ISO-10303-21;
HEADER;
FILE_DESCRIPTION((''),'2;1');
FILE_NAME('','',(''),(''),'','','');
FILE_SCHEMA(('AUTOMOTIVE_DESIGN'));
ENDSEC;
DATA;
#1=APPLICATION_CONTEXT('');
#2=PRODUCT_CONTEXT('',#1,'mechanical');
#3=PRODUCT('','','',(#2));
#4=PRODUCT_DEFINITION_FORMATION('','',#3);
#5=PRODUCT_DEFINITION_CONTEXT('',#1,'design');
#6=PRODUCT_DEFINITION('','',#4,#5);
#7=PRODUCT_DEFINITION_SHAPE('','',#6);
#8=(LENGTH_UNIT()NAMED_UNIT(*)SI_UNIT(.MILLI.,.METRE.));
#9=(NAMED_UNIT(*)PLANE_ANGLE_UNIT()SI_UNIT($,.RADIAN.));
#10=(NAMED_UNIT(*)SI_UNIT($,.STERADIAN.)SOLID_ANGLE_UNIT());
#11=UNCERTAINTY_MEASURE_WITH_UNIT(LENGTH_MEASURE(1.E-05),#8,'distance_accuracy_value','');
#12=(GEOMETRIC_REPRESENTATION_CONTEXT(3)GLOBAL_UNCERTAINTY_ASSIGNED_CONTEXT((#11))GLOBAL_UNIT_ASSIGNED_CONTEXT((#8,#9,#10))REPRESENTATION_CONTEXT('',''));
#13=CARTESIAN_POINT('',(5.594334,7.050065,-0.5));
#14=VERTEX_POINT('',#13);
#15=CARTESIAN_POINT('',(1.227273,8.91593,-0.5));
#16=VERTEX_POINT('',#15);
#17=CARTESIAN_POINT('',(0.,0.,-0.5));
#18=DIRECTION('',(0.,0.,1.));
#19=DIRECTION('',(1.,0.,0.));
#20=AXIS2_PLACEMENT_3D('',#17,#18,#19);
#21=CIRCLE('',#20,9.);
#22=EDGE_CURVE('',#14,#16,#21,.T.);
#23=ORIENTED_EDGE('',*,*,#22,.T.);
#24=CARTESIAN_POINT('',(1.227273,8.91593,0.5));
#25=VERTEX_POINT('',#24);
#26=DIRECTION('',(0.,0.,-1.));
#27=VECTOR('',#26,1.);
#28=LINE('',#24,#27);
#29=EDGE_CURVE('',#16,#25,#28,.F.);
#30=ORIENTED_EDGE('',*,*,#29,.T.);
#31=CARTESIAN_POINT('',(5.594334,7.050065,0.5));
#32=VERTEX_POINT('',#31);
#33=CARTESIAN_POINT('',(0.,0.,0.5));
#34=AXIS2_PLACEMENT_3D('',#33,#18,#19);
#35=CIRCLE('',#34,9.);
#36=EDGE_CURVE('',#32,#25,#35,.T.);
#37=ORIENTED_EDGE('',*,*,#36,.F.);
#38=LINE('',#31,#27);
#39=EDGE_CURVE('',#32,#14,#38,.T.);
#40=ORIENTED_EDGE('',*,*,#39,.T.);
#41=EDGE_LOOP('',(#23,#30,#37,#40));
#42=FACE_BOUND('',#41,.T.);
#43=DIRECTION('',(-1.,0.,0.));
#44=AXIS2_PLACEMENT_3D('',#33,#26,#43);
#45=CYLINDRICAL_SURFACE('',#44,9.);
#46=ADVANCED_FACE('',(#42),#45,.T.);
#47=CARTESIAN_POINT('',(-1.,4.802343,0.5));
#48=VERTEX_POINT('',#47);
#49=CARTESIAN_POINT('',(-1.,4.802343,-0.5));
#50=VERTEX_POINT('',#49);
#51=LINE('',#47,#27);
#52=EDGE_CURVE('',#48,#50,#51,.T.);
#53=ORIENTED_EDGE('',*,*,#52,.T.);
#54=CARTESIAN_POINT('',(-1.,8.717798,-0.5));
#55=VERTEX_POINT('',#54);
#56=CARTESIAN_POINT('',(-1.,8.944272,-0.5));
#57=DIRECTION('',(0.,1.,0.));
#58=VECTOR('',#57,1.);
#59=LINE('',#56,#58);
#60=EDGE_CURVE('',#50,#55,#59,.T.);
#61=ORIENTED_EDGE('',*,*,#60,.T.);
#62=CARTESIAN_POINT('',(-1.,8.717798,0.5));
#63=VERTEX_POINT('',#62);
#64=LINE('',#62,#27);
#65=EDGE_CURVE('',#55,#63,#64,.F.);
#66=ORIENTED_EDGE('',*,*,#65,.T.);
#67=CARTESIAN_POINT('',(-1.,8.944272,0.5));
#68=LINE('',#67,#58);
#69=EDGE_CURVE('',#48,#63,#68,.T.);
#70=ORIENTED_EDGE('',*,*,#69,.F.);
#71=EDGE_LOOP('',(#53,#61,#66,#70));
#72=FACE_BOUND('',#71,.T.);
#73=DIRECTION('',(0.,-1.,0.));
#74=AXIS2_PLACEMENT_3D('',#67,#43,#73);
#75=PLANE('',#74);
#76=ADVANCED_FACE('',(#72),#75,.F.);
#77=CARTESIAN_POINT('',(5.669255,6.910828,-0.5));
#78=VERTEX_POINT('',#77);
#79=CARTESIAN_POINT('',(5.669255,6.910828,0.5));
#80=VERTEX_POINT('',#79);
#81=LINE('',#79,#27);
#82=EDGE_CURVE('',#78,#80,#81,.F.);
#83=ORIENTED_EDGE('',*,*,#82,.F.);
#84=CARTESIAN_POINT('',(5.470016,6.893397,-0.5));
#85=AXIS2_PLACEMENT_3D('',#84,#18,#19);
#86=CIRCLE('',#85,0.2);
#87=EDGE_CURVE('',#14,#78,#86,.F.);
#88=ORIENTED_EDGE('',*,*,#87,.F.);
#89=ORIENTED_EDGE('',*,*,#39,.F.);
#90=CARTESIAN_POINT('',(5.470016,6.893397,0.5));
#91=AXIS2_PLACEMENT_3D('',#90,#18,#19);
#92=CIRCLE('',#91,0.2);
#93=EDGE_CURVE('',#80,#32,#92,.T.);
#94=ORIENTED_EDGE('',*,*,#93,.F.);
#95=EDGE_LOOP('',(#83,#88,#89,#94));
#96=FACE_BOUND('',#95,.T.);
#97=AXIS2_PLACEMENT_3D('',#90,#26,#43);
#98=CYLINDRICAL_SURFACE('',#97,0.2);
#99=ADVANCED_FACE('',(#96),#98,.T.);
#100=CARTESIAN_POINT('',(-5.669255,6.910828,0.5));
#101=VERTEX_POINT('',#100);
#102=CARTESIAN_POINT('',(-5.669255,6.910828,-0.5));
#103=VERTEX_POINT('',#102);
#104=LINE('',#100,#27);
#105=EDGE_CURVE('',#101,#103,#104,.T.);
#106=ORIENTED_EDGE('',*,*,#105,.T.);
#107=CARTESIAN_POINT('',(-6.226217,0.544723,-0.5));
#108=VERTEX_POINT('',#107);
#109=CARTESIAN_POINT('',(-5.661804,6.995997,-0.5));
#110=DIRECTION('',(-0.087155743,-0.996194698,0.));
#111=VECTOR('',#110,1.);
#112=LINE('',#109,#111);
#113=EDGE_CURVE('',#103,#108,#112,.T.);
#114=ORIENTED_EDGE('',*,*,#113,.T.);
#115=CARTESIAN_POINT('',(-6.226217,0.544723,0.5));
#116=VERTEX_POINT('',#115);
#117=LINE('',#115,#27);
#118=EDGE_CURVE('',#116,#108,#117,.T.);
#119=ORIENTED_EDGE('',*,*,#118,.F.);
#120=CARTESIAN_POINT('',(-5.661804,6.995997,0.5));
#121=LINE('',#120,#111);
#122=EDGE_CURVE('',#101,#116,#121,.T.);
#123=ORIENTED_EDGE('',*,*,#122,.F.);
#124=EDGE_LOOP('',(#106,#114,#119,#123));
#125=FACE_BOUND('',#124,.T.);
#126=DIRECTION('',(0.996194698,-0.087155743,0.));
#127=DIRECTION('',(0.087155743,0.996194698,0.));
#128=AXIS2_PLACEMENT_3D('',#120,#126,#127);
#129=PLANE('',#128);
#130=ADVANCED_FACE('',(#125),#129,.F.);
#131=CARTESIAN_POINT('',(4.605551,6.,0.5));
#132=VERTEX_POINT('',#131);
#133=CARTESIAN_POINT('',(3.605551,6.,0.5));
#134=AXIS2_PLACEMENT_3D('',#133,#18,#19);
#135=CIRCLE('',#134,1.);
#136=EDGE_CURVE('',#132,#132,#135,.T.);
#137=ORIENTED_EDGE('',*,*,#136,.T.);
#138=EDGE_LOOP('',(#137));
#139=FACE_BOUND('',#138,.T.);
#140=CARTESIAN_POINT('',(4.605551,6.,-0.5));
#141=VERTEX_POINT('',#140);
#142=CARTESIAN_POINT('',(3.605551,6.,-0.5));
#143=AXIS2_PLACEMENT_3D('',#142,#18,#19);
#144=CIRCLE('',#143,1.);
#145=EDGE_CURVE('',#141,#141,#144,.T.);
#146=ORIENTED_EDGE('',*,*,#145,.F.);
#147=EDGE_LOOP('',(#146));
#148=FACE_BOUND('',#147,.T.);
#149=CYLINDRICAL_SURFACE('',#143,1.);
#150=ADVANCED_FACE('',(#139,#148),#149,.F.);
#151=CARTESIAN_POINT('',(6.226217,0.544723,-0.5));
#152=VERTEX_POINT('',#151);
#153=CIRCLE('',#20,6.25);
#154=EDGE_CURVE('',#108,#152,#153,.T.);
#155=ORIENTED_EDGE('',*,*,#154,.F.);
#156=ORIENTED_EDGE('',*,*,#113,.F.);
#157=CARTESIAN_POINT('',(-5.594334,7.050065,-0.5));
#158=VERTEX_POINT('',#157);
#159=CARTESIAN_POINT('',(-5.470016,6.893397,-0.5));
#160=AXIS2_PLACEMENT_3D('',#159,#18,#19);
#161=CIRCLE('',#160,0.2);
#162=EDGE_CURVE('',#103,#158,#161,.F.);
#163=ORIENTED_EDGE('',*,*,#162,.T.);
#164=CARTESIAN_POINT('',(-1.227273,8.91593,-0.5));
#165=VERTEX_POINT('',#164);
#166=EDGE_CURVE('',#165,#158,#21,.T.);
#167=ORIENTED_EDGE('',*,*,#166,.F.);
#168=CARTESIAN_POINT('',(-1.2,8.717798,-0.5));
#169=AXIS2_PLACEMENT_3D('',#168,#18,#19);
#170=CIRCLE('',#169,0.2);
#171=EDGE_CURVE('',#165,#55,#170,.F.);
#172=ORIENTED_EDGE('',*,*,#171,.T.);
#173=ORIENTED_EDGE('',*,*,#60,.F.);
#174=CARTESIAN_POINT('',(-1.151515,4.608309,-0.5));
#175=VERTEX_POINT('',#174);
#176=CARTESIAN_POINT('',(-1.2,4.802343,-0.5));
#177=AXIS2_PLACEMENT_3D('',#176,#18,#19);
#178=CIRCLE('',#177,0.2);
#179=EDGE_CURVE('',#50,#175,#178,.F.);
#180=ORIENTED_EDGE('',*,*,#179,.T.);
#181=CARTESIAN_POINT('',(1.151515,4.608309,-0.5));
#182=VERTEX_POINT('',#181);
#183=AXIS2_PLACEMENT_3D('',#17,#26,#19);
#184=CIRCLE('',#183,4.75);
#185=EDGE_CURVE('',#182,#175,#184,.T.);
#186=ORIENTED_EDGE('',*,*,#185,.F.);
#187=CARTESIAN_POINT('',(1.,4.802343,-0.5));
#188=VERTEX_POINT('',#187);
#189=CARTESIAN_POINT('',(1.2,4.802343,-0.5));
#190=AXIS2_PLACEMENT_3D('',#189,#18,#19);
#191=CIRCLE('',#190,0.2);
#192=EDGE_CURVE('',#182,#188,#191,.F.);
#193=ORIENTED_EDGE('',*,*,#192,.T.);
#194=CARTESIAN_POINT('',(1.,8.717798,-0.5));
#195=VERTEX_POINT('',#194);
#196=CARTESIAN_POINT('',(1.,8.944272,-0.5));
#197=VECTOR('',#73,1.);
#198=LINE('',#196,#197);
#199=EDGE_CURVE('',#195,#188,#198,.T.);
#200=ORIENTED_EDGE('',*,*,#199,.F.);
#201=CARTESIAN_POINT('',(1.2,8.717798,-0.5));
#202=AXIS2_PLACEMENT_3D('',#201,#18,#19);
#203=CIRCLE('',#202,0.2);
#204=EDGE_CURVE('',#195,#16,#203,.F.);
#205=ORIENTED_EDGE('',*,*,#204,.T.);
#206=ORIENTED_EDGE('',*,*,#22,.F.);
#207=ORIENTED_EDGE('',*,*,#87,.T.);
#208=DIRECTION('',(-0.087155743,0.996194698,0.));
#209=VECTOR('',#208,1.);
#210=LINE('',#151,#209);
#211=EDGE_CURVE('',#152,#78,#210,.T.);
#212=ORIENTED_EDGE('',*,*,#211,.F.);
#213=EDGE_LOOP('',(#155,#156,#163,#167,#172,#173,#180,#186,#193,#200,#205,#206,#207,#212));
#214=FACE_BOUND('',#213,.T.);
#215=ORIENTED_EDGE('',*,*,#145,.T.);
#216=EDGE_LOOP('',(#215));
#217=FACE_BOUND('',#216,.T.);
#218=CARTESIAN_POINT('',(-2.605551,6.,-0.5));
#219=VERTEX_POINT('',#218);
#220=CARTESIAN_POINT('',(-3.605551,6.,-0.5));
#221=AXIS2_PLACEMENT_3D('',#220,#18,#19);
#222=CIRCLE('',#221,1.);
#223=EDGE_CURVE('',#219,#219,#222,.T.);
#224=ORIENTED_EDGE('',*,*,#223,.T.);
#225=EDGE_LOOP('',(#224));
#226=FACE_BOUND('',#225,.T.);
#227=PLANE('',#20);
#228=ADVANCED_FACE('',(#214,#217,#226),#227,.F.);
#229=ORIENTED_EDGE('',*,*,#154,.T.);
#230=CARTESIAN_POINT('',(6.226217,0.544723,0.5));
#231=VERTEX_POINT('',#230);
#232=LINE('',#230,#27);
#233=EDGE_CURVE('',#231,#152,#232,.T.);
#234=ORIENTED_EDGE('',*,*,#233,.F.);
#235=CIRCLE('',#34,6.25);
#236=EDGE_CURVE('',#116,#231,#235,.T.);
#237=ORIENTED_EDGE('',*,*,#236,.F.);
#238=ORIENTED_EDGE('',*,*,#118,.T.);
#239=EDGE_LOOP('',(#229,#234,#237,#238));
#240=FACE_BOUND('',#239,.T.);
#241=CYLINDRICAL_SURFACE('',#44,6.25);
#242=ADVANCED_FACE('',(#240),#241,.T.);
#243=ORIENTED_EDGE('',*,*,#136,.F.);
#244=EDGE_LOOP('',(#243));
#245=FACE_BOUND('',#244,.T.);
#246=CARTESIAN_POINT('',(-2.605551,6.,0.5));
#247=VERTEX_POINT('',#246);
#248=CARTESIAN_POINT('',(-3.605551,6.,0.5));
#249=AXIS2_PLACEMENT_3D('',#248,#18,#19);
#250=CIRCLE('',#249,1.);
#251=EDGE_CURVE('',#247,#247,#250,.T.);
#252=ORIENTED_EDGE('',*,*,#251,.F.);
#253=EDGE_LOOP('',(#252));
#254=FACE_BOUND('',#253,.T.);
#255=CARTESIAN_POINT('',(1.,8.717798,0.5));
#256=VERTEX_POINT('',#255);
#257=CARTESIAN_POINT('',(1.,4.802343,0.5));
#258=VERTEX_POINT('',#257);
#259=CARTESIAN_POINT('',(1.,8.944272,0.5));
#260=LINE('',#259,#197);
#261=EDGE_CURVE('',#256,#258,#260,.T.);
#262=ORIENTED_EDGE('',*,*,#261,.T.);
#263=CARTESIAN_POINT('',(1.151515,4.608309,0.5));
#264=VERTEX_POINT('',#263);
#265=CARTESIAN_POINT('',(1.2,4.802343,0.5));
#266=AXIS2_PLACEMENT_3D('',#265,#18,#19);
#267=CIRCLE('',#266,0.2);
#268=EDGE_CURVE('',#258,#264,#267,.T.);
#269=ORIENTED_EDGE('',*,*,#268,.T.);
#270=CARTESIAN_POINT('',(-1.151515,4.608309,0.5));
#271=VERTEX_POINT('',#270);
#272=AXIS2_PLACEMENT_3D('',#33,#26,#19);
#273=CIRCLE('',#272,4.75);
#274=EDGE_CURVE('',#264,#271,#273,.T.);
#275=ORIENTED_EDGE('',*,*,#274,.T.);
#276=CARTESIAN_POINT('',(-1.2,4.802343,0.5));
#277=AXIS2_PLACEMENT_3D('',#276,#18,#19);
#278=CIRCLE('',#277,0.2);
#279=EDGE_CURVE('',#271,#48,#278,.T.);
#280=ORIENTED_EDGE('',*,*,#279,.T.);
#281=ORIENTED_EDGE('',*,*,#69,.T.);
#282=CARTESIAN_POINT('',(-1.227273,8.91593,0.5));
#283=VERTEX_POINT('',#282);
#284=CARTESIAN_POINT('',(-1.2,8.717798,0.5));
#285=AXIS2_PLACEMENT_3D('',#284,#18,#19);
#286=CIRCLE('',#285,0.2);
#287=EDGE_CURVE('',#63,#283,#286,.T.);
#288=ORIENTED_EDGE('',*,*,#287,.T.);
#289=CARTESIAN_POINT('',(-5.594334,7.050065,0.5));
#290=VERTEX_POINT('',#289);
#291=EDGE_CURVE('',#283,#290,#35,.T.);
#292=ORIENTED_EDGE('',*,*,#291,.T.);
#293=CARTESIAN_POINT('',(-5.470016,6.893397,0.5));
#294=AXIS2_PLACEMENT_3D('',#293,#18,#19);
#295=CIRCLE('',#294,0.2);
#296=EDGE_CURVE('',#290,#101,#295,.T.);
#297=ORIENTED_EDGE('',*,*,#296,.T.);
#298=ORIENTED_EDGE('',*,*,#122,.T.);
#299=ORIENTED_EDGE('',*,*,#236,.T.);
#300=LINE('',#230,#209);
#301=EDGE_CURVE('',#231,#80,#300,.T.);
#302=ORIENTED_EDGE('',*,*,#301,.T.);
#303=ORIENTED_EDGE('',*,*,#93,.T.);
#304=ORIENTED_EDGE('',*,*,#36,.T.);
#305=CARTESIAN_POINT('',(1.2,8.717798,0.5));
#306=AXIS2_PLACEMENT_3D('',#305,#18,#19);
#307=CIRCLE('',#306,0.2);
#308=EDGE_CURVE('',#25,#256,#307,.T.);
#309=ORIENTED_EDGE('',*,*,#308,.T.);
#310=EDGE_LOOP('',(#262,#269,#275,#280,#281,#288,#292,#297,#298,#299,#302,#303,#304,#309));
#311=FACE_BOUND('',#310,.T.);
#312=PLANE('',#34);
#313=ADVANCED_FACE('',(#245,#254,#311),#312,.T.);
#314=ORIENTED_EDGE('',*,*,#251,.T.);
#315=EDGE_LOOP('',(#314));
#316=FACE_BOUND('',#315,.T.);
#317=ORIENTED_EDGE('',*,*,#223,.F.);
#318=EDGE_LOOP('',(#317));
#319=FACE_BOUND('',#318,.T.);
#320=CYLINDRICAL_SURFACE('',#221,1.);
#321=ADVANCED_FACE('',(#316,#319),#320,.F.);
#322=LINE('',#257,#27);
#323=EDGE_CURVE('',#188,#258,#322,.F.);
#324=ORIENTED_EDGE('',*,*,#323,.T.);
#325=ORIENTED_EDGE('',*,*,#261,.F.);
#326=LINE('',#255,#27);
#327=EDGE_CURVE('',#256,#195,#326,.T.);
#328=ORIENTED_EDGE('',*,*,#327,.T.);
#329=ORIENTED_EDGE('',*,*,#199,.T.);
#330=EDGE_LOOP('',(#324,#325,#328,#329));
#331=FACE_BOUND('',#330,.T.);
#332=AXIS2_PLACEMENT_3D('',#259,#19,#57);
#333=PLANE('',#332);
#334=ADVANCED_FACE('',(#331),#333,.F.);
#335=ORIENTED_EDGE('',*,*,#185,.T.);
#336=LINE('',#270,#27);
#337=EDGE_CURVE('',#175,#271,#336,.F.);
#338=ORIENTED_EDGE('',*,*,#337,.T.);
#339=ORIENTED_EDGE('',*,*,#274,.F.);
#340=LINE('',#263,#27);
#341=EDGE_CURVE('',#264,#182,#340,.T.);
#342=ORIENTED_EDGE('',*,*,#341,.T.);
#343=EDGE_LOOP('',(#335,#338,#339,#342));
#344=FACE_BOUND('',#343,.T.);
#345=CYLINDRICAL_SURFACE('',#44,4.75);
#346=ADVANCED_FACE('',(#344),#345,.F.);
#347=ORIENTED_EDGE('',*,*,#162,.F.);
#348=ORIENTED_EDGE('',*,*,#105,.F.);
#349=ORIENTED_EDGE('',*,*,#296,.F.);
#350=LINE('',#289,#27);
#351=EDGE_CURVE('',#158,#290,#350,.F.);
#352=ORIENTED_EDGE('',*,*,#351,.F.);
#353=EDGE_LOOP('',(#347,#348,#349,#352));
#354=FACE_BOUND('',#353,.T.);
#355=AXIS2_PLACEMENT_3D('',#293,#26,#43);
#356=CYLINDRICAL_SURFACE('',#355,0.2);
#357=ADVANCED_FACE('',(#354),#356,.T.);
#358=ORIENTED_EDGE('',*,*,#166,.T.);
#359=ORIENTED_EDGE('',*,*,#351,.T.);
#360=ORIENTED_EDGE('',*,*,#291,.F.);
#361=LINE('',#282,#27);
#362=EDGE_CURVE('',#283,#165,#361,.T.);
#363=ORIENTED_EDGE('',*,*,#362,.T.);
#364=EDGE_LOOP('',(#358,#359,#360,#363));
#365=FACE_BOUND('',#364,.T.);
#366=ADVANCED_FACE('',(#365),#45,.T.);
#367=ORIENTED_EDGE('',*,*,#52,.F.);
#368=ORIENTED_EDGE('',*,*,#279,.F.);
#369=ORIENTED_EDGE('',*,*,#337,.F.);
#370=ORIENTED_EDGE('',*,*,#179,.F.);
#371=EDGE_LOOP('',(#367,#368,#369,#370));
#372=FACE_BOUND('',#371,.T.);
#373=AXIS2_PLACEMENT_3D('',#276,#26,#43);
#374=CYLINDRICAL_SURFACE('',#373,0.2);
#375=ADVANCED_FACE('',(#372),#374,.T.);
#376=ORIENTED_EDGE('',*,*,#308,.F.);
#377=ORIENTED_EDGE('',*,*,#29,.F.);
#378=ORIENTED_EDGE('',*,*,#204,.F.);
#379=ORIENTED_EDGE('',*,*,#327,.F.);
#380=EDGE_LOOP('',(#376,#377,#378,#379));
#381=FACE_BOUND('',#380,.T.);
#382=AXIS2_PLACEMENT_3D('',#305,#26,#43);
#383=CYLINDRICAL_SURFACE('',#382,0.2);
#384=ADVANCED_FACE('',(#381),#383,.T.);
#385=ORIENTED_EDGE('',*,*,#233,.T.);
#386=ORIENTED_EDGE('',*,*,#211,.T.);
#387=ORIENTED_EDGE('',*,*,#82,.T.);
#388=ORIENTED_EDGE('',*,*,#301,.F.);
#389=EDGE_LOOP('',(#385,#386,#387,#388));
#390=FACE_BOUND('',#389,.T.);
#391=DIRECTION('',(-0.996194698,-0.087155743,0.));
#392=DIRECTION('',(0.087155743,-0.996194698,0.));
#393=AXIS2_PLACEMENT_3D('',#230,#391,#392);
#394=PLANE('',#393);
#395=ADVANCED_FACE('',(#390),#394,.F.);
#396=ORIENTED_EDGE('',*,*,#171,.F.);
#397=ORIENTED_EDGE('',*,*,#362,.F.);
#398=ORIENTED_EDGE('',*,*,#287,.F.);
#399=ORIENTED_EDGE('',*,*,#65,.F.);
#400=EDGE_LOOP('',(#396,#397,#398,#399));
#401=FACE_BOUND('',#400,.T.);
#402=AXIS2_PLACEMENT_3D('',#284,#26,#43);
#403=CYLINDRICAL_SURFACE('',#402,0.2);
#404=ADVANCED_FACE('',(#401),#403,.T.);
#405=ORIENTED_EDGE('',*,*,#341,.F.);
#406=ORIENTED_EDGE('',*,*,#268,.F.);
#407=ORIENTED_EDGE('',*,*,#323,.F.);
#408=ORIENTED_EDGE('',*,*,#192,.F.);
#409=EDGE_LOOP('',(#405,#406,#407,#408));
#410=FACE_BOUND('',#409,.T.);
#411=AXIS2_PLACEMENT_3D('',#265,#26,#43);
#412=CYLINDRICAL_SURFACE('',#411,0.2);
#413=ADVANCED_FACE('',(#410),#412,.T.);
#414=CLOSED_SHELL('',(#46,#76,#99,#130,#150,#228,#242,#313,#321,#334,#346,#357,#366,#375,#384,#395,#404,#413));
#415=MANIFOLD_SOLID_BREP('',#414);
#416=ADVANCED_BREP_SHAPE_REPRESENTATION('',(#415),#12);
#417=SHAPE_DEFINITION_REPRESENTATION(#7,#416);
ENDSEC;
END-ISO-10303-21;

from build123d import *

# Parameters (mm, degrees)
BOSS_EXTRUDE1_DEPTH = 0.5
SKETCH2_R           = 1
CUT_EXTRUDE1_DEPTH  = 11.9573035
FILLET1_R           = 0.2


with BuildPart() as part:
    # Sketch1 → Boss-Extrude1 (new, symmetric)
    with BuildSketch(Plane.XY):
        with BuildLine():
            Line((-5.661803514, 6.995997497), (-6.226216863, 0.544723392))
            ThreePointArc((-6.226216863, 0.544723392), (0, -6.25), (6.226216863, 0.544723392))
            Line((6.226216863, 0.544723392), (5.661803514, 6.995997497))
            ThreePointArc((5.661803514, 6.995997497), (3.470425019, 8.303983995), (1, 8.94427191))
            Line((1, 8.94427191), (1, 4.643543905))
            ThreePointArc((1, 4.643543905), (0, -4.75), (-1, 4.643543905))
            Line((-1, 4.643543905), (-1, 8.94427191))
            ThreePointArc((-1, 8.94427191), (-3.470425019, 8.303983995), (-5.661803514, 6.995997497))
        make_face()
    extrude(amount=BOSS_EXTRUDE1_DEPTH, both=True)

    # Sketch2 → Cut-Extrude1 (cut, through all)
    with BuildSketch(Plane.XY.offset(0.5)):
        with Locations((-3.605551275, 6)):
            Circle(SKETCH2_R)
        with Locations((3.605551275, 6)):
            Circle(SKETCH2_R)
    extrude(amount=-CUT_EXTRUDE1_DEPTH, mode=Mode.SUBTRACT)

    # Fillet1
    fillet1_edges = [part.edges().sort_by_distance(p)[0] for p in [
        (5.661803514, 6.995997497, 0),
        (-5.661803514, 6.995997497, 0),
        (-1, 8.94427191, 0),
        (-1, 4.643543905, 0),
        (1, 4.643543905, 0),
        (1, 8.94427191, 0),
    ]]
    fillet(fillet1_edges, radius=FILLET1_R)


solid = part.part
